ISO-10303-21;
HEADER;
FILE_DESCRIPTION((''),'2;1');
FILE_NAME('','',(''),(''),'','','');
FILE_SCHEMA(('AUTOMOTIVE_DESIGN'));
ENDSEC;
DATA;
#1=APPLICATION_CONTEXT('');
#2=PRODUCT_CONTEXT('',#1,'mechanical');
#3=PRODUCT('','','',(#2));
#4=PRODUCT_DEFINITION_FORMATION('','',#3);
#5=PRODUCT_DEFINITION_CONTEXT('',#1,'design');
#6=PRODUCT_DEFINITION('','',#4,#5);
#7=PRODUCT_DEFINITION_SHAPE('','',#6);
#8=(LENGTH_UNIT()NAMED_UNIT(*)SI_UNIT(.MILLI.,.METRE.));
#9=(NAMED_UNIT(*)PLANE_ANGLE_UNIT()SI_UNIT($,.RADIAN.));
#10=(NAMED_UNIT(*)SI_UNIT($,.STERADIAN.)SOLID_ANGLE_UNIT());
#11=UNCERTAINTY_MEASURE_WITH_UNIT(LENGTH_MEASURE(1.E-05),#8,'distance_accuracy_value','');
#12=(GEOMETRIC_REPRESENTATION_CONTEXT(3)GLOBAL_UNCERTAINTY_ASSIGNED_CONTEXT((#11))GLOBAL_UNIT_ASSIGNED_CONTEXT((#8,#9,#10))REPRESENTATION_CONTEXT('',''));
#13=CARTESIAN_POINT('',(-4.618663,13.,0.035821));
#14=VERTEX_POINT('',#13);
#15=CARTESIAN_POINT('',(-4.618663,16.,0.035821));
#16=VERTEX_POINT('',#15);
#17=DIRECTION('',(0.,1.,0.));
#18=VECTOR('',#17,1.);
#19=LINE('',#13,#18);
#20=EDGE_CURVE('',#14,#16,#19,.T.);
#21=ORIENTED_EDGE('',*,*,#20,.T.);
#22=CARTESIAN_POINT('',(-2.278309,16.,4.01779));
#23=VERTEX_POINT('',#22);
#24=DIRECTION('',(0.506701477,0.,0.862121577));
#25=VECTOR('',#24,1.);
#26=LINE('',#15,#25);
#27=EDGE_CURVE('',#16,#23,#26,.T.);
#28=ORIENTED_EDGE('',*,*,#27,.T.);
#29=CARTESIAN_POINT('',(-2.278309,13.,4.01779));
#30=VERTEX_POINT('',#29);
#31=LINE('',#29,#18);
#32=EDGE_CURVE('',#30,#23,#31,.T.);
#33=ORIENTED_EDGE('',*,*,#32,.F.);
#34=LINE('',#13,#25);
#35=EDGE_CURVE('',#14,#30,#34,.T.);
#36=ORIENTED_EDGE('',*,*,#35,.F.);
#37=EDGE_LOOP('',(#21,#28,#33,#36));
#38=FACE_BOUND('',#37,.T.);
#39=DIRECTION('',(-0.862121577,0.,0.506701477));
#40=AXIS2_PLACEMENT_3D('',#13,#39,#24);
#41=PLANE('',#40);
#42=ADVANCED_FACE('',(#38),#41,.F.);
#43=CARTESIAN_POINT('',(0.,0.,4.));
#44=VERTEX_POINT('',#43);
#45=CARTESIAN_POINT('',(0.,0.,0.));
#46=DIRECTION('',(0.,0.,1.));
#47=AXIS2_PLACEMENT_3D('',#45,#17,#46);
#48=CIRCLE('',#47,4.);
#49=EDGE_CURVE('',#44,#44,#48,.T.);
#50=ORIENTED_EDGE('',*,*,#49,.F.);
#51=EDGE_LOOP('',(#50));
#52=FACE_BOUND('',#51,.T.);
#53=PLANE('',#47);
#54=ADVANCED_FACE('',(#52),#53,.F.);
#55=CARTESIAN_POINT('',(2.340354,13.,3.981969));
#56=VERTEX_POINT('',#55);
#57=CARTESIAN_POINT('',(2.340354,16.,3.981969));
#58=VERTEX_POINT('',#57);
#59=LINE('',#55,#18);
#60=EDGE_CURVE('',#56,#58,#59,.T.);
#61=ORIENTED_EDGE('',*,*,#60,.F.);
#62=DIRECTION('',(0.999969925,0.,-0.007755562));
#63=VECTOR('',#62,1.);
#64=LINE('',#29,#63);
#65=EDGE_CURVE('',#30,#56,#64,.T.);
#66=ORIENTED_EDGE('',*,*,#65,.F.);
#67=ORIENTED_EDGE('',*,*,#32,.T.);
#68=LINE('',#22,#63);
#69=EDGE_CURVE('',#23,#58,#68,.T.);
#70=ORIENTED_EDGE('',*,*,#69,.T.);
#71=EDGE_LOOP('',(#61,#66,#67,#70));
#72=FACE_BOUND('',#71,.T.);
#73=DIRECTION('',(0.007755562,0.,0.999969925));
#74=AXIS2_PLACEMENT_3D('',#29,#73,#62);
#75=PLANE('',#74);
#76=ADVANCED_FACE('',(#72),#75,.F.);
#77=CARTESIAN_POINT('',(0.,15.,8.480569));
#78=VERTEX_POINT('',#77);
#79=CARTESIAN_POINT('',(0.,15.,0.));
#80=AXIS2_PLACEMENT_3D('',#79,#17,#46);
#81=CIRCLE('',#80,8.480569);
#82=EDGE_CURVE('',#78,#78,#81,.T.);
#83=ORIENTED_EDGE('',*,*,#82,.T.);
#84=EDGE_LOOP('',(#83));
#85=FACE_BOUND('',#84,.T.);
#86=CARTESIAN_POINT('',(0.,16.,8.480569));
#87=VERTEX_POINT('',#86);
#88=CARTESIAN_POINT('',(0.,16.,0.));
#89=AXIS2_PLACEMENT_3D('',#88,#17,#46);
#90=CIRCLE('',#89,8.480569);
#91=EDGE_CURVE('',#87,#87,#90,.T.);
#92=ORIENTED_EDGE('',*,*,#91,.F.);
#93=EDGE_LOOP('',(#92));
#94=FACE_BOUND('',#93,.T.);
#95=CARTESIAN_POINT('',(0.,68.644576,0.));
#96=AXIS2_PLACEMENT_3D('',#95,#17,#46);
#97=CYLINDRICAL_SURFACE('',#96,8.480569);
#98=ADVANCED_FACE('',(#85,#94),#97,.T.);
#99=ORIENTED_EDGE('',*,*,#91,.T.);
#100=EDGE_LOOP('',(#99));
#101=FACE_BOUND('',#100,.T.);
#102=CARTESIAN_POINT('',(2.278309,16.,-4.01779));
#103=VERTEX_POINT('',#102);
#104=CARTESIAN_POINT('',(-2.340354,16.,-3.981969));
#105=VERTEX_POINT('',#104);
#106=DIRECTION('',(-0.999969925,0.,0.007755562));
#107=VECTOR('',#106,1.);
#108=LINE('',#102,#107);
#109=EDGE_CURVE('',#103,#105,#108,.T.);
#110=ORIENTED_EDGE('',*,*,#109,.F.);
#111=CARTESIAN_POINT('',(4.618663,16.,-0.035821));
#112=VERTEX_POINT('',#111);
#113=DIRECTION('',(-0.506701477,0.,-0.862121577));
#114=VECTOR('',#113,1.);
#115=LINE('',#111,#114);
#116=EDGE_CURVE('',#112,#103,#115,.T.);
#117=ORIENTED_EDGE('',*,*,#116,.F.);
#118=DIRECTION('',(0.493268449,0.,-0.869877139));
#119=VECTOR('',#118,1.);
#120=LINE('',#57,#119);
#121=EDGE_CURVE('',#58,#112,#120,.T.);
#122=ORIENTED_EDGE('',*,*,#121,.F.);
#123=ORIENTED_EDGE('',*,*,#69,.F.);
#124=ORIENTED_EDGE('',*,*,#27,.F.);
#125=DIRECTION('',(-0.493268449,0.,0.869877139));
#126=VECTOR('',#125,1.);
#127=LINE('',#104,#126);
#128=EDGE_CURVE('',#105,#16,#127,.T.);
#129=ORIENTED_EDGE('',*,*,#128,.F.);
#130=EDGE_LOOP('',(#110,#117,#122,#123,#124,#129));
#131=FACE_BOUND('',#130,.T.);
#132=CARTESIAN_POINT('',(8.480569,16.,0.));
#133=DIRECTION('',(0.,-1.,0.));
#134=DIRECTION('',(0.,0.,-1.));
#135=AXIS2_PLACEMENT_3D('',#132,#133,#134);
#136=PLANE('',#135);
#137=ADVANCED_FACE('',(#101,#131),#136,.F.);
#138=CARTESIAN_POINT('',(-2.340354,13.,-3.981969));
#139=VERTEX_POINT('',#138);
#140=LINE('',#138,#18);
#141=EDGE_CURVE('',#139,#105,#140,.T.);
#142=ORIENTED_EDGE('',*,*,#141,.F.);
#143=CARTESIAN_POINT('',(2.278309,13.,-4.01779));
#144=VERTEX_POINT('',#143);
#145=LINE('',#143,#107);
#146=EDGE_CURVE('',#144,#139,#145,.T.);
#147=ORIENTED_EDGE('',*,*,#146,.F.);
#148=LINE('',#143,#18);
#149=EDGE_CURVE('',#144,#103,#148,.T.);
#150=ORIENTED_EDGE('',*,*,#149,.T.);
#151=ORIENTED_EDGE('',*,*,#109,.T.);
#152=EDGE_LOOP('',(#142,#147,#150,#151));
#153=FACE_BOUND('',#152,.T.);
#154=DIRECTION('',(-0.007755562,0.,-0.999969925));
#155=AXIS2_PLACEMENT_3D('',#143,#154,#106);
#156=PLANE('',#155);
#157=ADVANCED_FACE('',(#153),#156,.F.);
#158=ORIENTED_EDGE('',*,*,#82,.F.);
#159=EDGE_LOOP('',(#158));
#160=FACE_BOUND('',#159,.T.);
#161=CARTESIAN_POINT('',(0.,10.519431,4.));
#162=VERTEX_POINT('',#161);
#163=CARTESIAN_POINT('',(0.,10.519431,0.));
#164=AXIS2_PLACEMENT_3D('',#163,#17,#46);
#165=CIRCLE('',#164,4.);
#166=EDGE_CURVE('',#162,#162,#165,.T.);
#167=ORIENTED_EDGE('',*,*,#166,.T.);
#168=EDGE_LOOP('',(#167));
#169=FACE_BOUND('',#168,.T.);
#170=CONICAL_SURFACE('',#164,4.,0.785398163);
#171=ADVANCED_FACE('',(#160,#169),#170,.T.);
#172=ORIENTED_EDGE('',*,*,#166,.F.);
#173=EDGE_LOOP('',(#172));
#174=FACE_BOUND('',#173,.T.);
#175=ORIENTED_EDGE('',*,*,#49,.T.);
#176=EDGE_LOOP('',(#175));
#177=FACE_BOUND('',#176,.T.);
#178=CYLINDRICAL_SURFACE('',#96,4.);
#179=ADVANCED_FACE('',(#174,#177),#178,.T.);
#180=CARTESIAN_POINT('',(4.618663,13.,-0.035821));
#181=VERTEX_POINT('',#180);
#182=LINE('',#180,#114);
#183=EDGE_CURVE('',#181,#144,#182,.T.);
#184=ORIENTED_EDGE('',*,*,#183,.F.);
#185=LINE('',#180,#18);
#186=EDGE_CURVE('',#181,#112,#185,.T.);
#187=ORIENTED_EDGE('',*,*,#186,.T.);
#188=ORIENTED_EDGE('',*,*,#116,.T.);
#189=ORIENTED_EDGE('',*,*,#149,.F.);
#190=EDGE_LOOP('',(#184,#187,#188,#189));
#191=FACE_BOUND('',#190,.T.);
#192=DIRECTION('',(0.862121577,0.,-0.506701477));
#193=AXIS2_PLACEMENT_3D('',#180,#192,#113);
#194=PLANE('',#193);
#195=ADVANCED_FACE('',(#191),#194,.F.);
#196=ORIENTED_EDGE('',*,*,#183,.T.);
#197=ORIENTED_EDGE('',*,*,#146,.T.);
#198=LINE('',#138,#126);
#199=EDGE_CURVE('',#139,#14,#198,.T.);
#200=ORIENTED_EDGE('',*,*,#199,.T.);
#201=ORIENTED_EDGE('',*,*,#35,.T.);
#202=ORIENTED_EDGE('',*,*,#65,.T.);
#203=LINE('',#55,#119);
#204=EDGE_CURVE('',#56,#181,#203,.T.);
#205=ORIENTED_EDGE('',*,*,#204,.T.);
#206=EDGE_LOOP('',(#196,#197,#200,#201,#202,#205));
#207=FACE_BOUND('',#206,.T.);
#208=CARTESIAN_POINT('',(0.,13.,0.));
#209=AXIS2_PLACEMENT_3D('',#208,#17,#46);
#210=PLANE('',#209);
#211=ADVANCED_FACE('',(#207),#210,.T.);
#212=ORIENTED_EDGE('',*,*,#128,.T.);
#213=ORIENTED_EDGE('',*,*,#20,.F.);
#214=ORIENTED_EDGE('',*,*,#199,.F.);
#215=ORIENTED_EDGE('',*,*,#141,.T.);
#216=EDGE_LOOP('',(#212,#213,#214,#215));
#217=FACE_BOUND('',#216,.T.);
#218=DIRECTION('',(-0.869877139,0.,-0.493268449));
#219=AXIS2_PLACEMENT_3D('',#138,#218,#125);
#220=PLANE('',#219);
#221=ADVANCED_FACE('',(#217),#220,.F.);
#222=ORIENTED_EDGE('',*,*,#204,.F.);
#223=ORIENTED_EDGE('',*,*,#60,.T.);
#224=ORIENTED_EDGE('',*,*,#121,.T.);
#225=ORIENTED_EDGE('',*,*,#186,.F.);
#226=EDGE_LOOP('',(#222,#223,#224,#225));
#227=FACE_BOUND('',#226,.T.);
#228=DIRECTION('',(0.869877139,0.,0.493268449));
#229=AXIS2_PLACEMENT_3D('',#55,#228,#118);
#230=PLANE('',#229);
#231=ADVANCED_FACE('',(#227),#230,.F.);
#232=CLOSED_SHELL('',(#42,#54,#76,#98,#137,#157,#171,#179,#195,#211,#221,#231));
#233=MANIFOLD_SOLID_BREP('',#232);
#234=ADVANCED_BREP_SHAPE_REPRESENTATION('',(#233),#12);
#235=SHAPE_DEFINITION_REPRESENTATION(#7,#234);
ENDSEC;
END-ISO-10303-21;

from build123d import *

# Parameters (mm, degrees)
CUT_EXTRUDE_1_DEPTH = 3


with BuildPart() as part:
    # Эскиз1 → Повернуть1 (revolve)
    with BuildSketch(Plane.XY):
        Polygon((0, 0), (4, 0), (4, 10.519431445), (8.480568555, 15), (8.480568555, 16), (0, 16), align=None)
    revolve(axis=Axis((0, 68.644575989, 0), (0, -1, 0)))

    # Эскиз2 → Вырез-Вытянуть1 (cut)
    with BuildSketch(Plane(origin=(0, 16, 0), x_dir=(1, 0, 0), z_dir=(0, 1, 0))):
        Polygon((2.340353871, -3.981968997), (4.618663244, 0.035821408), (2.278309373, 4.017790405), (-2.340353871, 3.981968997), (-4.618663244, -0.035821408), (-2.278309373, -4.017790405), align=None)
    extrude(amount=-CUT_EXTRUDE_1_DEPTH, mode=Mode.SUBTRACT)


solid = part.part
